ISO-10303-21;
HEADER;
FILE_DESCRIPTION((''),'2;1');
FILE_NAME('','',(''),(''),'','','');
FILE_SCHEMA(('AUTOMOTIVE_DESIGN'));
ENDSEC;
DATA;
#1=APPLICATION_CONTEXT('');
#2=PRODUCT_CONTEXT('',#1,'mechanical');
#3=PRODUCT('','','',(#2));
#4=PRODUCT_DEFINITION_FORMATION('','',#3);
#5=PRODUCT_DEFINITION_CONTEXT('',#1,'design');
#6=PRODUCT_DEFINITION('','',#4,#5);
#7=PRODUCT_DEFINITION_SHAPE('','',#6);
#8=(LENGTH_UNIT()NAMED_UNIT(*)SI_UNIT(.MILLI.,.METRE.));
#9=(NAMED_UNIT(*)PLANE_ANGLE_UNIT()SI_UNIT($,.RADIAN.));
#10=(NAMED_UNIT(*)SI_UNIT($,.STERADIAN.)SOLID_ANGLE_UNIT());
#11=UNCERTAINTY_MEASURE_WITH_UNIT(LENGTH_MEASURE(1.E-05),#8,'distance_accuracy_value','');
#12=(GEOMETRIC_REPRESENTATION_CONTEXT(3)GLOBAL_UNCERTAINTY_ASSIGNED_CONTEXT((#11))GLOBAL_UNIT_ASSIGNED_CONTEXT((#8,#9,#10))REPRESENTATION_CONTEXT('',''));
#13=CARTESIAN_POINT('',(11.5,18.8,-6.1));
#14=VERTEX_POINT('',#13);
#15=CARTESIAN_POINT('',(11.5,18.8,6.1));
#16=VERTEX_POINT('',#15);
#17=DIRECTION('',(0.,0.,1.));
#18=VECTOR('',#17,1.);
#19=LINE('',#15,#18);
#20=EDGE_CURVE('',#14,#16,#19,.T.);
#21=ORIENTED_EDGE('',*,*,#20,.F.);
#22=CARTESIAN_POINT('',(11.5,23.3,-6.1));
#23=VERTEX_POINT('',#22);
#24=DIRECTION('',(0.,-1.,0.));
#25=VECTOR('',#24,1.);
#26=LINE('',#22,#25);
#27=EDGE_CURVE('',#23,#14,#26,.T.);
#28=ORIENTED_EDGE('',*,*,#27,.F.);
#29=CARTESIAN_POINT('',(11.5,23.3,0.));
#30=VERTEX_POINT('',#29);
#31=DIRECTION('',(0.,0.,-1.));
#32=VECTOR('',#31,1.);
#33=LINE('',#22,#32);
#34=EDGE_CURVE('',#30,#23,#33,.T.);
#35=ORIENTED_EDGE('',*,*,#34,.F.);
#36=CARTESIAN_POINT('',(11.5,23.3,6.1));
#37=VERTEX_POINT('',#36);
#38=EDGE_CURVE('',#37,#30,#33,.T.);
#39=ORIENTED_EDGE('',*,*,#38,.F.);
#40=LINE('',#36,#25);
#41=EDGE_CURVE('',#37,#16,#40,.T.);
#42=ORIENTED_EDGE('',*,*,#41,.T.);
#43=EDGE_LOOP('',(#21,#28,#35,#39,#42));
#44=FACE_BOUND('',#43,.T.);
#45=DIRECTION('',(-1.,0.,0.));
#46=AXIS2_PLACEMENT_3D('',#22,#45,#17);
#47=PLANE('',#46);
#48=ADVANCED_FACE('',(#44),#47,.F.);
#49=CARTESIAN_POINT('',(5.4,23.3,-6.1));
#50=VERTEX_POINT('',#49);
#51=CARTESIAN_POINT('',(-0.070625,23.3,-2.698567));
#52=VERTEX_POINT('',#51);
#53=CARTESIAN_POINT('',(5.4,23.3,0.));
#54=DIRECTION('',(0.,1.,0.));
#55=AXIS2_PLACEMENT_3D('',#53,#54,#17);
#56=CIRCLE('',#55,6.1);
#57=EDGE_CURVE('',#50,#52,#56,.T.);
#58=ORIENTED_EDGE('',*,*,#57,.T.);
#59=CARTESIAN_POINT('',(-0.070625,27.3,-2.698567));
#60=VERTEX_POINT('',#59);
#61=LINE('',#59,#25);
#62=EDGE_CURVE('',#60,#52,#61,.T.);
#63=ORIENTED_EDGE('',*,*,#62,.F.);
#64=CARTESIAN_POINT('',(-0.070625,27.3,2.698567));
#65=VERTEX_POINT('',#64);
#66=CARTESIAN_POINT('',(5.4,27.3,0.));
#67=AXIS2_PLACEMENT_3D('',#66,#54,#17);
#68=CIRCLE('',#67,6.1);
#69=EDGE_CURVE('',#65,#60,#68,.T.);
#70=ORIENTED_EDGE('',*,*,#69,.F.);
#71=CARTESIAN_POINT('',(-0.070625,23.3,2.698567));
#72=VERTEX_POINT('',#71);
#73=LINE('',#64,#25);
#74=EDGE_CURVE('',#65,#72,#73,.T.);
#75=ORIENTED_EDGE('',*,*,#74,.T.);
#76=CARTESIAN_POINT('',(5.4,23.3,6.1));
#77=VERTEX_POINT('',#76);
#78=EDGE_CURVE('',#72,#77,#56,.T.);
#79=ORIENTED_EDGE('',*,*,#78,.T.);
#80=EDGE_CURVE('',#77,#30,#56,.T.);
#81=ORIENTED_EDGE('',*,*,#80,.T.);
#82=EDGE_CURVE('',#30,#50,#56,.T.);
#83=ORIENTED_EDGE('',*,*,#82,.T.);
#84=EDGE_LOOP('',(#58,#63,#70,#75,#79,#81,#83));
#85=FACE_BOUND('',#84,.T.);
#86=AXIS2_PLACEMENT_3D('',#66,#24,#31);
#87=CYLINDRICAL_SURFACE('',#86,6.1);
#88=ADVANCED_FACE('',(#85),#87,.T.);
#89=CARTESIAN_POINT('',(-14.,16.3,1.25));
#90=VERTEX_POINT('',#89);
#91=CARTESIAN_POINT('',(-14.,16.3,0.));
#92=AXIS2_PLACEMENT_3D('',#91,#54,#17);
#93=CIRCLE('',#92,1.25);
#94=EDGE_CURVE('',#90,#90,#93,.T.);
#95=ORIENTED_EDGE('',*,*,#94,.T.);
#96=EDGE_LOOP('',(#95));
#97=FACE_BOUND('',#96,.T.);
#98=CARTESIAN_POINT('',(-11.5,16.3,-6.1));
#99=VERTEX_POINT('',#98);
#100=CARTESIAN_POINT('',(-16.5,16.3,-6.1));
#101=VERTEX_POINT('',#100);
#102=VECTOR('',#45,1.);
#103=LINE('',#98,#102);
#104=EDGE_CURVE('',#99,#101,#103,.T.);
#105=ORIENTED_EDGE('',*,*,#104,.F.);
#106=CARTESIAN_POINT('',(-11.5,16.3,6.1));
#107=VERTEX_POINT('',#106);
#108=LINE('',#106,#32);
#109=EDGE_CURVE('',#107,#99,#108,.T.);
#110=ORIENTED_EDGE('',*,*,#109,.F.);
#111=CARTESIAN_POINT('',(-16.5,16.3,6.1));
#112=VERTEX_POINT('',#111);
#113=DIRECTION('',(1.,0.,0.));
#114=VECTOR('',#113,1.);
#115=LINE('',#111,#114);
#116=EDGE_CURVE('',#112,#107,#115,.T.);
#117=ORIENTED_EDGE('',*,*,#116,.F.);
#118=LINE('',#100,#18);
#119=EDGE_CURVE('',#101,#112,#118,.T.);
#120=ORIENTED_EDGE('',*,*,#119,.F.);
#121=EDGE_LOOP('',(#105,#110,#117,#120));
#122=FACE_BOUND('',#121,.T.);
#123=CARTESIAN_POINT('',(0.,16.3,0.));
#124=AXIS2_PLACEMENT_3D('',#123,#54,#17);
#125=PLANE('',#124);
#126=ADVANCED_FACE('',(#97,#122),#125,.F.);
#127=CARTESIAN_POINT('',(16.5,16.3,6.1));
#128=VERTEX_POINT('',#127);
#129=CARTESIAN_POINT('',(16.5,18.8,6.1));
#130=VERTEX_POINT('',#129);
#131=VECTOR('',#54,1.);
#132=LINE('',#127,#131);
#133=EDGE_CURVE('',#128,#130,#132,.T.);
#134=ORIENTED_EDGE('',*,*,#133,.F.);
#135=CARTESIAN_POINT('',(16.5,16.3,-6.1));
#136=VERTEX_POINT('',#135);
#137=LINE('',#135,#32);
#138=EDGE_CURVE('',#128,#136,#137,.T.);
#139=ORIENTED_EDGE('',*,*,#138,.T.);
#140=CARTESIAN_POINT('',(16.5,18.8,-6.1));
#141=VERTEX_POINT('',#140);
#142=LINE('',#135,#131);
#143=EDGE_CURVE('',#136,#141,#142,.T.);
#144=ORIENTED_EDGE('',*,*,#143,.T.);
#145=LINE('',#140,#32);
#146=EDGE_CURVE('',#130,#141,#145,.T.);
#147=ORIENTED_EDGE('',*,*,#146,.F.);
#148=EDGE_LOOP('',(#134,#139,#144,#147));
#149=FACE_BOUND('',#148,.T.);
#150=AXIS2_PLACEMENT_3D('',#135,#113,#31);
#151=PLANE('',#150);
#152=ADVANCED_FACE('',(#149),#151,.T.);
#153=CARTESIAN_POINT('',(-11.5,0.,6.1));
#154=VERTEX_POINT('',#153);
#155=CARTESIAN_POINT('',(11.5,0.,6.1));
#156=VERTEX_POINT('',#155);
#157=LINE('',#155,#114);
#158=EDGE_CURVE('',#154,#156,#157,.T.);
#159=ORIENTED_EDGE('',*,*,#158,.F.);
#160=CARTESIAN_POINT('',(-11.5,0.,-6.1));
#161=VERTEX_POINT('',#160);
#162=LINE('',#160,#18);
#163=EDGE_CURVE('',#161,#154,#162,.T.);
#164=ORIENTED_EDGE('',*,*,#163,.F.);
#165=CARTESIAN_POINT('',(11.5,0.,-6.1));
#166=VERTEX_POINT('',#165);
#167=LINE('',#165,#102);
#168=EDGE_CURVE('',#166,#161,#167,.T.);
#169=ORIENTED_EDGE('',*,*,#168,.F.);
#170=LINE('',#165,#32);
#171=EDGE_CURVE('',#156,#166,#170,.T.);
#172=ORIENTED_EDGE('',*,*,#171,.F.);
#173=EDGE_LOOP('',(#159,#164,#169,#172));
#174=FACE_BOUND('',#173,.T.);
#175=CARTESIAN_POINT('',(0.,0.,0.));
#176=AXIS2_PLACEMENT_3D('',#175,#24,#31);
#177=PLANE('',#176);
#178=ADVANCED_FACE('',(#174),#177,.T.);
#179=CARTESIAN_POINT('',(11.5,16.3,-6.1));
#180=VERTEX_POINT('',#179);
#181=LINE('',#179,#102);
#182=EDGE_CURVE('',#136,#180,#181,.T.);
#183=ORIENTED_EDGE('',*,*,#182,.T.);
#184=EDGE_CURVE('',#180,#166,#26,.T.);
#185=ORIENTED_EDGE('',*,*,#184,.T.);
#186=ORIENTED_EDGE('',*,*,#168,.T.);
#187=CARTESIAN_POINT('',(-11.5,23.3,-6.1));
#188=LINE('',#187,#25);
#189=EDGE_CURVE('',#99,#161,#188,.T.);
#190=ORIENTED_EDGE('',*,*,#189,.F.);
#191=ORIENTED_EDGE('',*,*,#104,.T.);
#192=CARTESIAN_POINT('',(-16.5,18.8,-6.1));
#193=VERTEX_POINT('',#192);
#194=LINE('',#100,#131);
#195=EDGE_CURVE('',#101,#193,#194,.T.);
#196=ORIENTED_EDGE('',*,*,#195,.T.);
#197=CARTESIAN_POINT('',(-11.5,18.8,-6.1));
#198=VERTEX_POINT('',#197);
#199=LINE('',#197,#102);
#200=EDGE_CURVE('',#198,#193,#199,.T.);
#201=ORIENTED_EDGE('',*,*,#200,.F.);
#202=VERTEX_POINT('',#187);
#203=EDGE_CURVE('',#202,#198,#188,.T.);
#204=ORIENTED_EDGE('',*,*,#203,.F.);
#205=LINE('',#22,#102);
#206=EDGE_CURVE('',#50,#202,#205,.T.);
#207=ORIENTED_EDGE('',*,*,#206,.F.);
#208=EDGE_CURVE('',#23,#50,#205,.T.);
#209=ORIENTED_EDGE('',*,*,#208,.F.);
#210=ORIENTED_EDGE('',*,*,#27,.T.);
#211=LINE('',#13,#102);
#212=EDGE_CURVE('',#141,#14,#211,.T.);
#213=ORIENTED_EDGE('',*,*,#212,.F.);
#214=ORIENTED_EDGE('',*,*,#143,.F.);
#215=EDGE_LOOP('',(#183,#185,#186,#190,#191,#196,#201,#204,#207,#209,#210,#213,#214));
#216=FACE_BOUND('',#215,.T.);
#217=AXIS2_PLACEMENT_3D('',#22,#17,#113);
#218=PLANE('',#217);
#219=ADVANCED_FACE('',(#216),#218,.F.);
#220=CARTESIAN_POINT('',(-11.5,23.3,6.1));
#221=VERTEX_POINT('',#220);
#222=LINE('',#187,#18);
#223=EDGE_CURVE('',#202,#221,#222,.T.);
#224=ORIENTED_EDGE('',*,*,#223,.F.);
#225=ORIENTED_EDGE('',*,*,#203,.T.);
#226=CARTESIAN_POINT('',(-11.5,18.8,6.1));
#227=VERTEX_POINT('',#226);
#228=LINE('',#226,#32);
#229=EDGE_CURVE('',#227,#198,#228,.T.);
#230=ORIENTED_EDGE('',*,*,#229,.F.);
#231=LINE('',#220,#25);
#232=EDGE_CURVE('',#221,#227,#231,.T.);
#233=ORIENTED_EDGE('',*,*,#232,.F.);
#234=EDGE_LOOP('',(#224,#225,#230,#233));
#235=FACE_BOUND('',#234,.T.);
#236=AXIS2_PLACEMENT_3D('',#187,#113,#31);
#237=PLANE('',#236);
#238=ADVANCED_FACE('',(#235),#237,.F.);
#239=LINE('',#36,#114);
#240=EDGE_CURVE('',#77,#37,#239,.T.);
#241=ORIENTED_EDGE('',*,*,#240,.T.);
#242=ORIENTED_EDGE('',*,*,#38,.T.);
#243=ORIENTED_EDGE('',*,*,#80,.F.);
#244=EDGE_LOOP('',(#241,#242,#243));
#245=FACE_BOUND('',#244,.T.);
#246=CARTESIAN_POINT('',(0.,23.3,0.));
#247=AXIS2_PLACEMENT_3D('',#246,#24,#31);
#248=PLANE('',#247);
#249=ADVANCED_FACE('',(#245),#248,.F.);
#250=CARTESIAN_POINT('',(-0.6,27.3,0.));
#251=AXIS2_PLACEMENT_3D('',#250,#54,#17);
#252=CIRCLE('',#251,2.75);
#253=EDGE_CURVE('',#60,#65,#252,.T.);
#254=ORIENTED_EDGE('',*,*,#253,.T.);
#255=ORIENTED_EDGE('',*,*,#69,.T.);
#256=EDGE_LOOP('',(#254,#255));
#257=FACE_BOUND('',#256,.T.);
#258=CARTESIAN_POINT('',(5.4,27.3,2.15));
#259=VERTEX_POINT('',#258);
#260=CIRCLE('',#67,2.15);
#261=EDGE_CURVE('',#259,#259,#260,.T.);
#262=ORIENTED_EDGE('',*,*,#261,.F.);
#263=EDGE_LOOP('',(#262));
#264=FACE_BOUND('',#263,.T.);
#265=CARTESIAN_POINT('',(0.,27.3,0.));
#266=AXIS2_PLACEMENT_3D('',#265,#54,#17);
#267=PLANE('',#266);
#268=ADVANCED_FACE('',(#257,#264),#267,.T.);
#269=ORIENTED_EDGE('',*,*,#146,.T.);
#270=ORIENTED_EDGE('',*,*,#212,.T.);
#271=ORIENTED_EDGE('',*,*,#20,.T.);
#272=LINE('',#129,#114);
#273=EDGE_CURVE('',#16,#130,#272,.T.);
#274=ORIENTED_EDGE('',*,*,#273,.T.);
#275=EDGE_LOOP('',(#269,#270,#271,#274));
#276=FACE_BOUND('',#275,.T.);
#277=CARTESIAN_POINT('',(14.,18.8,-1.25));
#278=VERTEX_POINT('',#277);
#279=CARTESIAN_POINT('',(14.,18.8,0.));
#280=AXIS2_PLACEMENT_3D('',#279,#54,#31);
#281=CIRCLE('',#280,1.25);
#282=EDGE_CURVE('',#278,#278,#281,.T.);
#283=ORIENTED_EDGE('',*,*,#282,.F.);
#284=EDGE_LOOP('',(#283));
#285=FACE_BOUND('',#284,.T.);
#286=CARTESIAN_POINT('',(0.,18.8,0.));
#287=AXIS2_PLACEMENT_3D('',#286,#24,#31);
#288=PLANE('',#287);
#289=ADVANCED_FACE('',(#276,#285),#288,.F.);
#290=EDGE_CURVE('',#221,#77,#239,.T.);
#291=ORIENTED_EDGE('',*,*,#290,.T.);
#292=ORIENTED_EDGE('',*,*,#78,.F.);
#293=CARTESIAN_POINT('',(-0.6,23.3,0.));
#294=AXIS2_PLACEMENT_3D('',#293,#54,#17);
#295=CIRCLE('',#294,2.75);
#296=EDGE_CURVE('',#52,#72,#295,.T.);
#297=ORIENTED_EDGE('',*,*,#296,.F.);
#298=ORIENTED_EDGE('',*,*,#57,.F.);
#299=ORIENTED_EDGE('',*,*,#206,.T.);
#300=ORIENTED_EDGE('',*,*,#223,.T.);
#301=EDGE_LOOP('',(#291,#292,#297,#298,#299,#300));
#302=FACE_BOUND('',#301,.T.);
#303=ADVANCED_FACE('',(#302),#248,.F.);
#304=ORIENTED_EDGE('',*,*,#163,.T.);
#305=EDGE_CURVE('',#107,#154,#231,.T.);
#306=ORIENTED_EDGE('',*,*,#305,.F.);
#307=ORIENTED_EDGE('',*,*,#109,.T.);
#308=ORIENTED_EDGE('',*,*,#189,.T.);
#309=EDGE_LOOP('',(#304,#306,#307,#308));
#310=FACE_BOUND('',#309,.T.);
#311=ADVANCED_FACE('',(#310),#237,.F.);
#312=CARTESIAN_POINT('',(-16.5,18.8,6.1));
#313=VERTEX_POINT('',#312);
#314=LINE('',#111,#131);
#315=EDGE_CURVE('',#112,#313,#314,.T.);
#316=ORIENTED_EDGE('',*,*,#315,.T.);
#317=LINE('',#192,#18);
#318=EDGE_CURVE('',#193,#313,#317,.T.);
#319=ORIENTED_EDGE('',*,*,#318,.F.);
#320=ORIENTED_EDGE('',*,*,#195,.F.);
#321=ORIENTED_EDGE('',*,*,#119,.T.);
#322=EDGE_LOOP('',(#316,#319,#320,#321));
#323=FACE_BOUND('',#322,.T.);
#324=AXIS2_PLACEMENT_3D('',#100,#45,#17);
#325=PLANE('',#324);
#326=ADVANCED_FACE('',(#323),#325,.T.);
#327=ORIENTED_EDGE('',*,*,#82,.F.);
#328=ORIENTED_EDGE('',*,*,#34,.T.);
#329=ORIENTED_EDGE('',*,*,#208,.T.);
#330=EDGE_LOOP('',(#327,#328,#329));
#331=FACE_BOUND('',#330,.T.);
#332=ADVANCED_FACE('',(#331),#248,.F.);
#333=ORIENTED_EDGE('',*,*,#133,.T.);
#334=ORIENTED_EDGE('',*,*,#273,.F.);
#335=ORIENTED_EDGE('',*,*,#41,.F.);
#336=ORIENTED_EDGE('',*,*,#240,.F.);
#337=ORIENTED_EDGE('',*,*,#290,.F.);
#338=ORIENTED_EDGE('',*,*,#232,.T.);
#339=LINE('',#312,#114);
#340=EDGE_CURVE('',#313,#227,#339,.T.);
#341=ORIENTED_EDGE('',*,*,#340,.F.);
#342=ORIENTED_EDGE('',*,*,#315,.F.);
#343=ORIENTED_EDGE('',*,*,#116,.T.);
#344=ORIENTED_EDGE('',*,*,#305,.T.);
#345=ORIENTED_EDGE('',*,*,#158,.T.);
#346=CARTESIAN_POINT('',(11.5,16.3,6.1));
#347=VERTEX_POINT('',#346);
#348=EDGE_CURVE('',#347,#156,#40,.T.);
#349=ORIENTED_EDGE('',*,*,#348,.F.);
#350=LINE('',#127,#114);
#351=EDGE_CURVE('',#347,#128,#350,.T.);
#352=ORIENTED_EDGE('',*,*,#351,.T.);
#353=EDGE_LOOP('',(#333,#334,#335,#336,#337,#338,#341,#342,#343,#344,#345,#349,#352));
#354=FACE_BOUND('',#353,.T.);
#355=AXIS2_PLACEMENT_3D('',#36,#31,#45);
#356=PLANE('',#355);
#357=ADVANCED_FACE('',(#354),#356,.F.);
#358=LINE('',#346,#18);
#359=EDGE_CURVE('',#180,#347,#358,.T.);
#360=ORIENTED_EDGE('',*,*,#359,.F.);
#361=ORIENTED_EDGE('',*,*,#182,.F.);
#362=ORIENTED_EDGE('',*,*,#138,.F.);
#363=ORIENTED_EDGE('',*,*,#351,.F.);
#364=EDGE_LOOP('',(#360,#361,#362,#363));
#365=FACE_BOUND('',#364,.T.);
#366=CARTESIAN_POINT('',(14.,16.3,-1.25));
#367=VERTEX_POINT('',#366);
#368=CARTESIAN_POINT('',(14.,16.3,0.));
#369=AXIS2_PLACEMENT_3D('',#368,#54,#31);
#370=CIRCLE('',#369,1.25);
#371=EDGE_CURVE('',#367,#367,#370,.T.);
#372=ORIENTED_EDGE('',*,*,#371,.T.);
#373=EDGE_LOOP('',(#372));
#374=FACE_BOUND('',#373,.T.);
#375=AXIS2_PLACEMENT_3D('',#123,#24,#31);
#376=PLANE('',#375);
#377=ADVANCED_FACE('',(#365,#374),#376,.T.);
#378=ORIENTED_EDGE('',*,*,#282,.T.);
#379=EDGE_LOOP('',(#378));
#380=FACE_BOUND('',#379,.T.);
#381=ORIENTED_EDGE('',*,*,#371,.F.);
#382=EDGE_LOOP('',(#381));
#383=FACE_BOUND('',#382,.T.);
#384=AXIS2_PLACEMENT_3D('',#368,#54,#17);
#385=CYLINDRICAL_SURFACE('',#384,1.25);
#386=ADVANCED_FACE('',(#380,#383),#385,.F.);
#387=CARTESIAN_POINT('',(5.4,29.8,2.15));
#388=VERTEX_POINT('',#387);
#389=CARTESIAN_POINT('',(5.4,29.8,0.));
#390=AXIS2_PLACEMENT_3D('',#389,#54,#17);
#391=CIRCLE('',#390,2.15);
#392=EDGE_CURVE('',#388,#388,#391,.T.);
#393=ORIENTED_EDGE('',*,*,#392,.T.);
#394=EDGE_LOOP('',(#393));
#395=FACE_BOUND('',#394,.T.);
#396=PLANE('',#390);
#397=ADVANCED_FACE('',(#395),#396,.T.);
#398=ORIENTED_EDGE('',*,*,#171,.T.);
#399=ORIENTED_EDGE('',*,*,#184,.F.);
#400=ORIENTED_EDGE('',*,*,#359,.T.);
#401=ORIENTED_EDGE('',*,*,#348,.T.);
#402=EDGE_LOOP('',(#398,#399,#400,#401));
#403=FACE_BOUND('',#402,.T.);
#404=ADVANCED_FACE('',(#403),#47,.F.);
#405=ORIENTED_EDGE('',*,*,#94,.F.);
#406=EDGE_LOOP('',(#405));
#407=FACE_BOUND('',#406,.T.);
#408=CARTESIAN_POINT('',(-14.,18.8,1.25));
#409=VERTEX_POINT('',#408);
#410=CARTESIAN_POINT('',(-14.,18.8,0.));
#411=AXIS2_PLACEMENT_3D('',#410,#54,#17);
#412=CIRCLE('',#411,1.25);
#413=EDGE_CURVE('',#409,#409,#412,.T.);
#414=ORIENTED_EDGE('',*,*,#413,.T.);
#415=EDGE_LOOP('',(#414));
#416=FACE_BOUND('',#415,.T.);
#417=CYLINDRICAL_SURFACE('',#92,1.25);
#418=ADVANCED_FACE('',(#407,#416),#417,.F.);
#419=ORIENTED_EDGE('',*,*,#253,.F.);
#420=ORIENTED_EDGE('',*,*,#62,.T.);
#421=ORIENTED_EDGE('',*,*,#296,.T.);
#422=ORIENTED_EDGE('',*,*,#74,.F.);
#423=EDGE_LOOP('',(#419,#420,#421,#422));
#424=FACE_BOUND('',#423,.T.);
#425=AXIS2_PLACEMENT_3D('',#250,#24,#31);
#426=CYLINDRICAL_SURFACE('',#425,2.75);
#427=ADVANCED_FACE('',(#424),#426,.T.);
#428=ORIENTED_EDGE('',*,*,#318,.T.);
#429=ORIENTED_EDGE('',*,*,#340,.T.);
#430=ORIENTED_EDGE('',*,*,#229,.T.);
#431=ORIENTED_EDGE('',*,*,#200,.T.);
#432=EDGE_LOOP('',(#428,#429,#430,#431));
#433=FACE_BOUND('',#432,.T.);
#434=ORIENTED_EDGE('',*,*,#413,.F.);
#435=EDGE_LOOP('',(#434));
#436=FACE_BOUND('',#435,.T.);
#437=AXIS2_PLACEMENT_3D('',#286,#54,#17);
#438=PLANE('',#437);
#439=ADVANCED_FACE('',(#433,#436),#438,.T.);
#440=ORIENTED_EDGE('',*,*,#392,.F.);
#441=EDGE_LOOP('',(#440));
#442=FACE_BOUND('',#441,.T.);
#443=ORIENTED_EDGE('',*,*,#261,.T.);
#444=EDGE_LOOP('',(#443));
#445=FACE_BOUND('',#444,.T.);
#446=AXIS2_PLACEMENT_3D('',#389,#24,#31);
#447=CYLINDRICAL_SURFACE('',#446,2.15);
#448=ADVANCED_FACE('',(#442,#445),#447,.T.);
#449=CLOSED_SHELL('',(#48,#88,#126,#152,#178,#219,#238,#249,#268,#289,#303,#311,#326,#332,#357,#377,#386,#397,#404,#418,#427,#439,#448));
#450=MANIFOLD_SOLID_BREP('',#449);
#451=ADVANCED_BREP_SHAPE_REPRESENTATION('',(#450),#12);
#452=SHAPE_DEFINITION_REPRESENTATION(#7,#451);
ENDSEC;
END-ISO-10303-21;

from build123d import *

# Parameters (mm, degrees)
SKETCH1_W           = 23
SKETCH1_H           = 12.2
BOSS_EXTRUDE1_DEPTH = 23.3
BOSS_EXTRUDE2_START = -4.5
SKETCH2_W           = 5
SKETCH2_H           = 12.2
SKETCH2_R           = 1.25
BOSS_EXTRUDE2_DEPTH = 2.5
SKETCH3_R           = 2.15
BOSS_EXTRUDE3_DEPTH = 4
BOSS_EXTRUDE4_START = 4
SKETCH3_4_R         = 2.15
BOSS_EXTRUDE4_DEPTH = 2.5


with BuildPart() as part:
    # Sketch1 → Boss-Extrude1 (new body)
    with BuildSketch(Plane(origin=(0, 0, 0), x_dir=(1, 0, 0), z_dir=(0, 1, 0))):
        Rectangle(SKETCH1_W, SKETCH1_H)
    extrude(amount=BOSS_EXTRUDE1_DEPTH)

    # Sketch2 → Boss-Extrude2 (add)
    # profile 1 of 2: a face of its own
    with BuildSketch(Plane(origin=(0, 23.3, 0), x_dir=(1, 0, 0), z_dir=(0, 1, 0)).offset(BOSS_EXTRUDE2_START)):
        with Locations((-14, 0)):
            Rectangle(SKETCH2_W, SKETCH2_H)
        with Locations(Location((-14, 0, 0), (0, 0, 270))):
            Circle(SKETCH2_R, mode=Mode.SUBTRACT)
    # profile 2 of 2: a face of its own
    with BuildSketch(Plane(origin=(0, 23.3, 0), x_dir=(1, 0, 0), z_dir=(0, 1, 0)).offset(BOSS_EXTRUDE2_START)):
        with Locations((14, 0)):
            Rectangle(SKETCH2_W, SKETCH2_H)
        with Locations(Location((14, 0, 0), (0, 0, 90))):
            Circle(SKETCH2_R, mode=Mode.SUBTRACT)
    extrude(amount=-BOSS_EXTRUDE2_DEPTH)

    # Sketch3 → Boss-Extrude3 (add)
    # profile 1 of 2: a face of its own
    with BuildSketch(Plane(origin=(0, 23.3, 0), x_dir=(1, 0, 0), z_dir=(0, 1, 0))):
        with BuildLine():
            ThreePointArc((-0.070625, -2.698566677), (11.5, 0), (-0.070625, 2.698566677))
            ThreePointArc((-0.070625, 2.698566677), (-3.35, 0), (-0.070625, -2.698566677))
        make_face()
        with Locations((5.4, 0)):
            Circle(SKETCH3_R, mode=Mode.SUBTRACT)
    # profile 2 of 2: a face of its own
    with BuildSketch(Plane(origin=(0, 23.3, 0), x_dir=(1, 0, 0), z_dir=(0, 1, 0))):
        with Locations((5.4, 0)):
            Circle(SKETCH3_R)
    extrude(amount=BOSS_EXTRUDE3_DEPTH)

    # Sketch3<4> → Boss-Extrude4 (add)
    with BuildSketch(Plane(origin=(0, 23.3, 0), x_dir=(1, 0, 0), z_dir=(0, 1, 0)).offset(BOSS_EXTRUDE4_START)):
        with Locations(Location((5.4, 0, 0), (0, 0, 270))):
            Circle(SKETCH3_4_R)
    extrude(amount=BOSS_EXTRUDE4_DEPTH)


solid = part.part
